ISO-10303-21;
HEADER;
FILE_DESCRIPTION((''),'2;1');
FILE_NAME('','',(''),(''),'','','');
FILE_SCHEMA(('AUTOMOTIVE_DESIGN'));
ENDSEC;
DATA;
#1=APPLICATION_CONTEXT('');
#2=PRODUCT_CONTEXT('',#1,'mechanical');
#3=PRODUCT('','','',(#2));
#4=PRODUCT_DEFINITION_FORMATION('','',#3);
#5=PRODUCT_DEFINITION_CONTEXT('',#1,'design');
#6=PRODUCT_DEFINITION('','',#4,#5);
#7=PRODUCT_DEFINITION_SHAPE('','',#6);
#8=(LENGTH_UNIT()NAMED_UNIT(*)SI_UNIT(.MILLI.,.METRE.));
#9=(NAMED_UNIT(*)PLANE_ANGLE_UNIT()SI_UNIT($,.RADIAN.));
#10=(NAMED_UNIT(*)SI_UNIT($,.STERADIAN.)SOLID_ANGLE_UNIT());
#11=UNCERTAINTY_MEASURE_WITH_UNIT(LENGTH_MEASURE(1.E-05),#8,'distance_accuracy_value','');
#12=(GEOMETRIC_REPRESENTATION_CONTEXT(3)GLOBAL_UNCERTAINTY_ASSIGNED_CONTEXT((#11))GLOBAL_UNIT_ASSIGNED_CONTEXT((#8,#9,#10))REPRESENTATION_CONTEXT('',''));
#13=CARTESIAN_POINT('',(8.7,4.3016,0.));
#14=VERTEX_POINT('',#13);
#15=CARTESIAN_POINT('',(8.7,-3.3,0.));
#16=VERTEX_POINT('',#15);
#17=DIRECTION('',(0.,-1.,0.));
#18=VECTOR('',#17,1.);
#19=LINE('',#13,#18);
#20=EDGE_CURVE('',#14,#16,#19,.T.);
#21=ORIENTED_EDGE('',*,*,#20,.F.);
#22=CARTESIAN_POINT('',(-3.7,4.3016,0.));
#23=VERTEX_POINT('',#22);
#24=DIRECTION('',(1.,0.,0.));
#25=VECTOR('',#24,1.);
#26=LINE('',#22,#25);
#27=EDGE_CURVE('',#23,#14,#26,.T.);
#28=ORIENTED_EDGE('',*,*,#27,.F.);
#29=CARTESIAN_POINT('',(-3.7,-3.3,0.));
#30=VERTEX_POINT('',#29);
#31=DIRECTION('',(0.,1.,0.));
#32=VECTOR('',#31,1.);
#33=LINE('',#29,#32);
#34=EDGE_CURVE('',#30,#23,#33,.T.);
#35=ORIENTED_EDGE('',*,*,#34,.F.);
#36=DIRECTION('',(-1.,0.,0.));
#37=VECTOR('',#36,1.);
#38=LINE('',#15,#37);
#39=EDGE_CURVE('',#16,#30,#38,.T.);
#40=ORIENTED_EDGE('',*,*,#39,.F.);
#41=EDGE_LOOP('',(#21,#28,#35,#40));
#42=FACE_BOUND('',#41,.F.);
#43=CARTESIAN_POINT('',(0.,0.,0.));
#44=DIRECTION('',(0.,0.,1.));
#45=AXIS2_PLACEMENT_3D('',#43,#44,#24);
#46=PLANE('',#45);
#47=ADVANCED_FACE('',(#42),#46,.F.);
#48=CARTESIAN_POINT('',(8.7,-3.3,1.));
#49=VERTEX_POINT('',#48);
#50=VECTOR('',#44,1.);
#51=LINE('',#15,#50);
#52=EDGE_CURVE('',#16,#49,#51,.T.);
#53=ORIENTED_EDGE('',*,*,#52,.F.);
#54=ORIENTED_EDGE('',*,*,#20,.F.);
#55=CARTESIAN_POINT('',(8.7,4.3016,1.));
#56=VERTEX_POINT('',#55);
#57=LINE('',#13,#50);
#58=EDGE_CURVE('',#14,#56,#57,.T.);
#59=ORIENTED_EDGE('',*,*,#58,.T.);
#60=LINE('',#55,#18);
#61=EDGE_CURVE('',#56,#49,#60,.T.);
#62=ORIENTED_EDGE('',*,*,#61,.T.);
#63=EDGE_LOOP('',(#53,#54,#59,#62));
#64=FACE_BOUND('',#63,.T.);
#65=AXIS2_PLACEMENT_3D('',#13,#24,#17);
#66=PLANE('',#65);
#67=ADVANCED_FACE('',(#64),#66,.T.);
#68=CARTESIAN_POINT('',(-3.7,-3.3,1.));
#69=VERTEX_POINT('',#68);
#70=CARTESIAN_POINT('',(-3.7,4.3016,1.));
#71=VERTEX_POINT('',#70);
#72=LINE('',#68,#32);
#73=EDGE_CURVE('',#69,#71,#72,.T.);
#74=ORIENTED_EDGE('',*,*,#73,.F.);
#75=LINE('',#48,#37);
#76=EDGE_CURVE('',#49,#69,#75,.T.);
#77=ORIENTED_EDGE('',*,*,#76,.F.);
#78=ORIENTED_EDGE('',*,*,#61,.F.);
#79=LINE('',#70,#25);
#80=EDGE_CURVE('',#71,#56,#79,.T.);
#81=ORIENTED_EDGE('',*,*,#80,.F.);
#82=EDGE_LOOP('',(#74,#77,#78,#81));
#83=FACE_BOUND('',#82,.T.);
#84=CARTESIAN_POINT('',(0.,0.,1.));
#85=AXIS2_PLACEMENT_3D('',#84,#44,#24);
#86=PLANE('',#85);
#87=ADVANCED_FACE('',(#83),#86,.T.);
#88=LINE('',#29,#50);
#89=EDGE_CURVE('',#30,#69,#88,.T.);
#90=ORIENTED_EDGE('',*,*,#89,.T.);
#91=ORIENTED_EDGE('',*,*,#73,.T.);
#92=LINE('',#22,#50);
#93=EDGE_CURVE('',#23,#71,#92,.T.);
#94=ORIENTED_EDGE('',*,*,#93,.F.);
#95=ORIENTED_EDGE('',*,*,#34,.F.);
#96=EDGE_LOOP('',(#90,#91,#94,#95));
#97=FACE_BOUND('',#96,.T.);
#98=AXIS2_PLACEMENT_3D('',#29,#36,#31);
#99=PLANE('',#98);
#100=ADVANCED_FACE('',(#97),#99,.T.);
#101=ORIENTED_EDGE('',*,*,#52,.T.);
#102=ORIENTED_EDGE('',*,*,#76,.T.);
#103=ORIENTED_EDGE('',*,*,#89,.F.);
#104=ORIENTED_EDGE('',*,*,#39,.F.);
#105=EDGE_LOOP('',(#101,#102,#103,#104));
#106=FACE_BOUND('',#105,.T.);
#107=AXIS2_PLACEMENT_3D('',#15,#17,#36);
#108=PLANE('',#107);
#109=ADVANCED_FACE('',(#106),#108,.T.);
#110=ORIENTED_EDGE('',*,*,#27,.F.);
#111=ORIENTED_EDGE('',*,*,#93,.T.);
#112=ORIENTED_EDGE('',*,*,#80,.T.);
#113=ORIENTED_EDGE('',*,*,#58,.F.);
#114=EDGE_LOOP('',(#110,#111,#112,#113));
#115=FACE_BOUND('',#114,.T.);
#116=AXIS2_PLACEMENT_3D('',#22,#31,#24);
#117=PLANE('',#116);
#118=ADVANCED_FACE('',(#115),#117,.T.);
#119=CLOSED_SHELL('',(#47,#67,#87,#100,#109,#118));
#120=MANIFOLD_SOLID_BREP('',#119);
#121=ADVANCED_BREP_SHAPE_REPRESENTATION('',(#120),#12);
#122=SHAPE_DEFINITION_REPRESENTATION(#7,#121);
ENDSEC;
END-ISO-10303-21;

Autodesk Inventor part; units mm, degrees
ref_plane "YZ Plane" through (0, 0, 0) normal (1, 0, 0) x (0, 1, 0)
ref_plane "XZ Plane" through (0, 0, 0) normal (0, 1, 0) x (-1, 0, 0)
ref_plane "XY Plane" through (0, 0, 0) normal (0, 0, 1) x (1, 0, 0)
sketch "SCREWTERMINAL-5MM-2, J2_SCREWTERMINAL-5MM-2_26" plane through (0, 0, 0) normal (0, 0, 1) x (1, 0, 0)
  line L0 (-3.7, 4.3016) -> (8.7, 4.3016)
  line L1 (8.7, 4.3016) -> (8.7, -3.3)
  line L2 (8.7, -3.3) -> (-3.7, -3.3)
  line L3 (-3.7, -3.3) -> (-3.7, 4.3016)
extrude "Extrusion1" add sketch "SCREWTERMINAL-5MM-2, J2_SCREWTERMINAL-5MM-2_26" along normal blind 1
properties part number "J2_SCREWTERMINAL-5MM-2"
